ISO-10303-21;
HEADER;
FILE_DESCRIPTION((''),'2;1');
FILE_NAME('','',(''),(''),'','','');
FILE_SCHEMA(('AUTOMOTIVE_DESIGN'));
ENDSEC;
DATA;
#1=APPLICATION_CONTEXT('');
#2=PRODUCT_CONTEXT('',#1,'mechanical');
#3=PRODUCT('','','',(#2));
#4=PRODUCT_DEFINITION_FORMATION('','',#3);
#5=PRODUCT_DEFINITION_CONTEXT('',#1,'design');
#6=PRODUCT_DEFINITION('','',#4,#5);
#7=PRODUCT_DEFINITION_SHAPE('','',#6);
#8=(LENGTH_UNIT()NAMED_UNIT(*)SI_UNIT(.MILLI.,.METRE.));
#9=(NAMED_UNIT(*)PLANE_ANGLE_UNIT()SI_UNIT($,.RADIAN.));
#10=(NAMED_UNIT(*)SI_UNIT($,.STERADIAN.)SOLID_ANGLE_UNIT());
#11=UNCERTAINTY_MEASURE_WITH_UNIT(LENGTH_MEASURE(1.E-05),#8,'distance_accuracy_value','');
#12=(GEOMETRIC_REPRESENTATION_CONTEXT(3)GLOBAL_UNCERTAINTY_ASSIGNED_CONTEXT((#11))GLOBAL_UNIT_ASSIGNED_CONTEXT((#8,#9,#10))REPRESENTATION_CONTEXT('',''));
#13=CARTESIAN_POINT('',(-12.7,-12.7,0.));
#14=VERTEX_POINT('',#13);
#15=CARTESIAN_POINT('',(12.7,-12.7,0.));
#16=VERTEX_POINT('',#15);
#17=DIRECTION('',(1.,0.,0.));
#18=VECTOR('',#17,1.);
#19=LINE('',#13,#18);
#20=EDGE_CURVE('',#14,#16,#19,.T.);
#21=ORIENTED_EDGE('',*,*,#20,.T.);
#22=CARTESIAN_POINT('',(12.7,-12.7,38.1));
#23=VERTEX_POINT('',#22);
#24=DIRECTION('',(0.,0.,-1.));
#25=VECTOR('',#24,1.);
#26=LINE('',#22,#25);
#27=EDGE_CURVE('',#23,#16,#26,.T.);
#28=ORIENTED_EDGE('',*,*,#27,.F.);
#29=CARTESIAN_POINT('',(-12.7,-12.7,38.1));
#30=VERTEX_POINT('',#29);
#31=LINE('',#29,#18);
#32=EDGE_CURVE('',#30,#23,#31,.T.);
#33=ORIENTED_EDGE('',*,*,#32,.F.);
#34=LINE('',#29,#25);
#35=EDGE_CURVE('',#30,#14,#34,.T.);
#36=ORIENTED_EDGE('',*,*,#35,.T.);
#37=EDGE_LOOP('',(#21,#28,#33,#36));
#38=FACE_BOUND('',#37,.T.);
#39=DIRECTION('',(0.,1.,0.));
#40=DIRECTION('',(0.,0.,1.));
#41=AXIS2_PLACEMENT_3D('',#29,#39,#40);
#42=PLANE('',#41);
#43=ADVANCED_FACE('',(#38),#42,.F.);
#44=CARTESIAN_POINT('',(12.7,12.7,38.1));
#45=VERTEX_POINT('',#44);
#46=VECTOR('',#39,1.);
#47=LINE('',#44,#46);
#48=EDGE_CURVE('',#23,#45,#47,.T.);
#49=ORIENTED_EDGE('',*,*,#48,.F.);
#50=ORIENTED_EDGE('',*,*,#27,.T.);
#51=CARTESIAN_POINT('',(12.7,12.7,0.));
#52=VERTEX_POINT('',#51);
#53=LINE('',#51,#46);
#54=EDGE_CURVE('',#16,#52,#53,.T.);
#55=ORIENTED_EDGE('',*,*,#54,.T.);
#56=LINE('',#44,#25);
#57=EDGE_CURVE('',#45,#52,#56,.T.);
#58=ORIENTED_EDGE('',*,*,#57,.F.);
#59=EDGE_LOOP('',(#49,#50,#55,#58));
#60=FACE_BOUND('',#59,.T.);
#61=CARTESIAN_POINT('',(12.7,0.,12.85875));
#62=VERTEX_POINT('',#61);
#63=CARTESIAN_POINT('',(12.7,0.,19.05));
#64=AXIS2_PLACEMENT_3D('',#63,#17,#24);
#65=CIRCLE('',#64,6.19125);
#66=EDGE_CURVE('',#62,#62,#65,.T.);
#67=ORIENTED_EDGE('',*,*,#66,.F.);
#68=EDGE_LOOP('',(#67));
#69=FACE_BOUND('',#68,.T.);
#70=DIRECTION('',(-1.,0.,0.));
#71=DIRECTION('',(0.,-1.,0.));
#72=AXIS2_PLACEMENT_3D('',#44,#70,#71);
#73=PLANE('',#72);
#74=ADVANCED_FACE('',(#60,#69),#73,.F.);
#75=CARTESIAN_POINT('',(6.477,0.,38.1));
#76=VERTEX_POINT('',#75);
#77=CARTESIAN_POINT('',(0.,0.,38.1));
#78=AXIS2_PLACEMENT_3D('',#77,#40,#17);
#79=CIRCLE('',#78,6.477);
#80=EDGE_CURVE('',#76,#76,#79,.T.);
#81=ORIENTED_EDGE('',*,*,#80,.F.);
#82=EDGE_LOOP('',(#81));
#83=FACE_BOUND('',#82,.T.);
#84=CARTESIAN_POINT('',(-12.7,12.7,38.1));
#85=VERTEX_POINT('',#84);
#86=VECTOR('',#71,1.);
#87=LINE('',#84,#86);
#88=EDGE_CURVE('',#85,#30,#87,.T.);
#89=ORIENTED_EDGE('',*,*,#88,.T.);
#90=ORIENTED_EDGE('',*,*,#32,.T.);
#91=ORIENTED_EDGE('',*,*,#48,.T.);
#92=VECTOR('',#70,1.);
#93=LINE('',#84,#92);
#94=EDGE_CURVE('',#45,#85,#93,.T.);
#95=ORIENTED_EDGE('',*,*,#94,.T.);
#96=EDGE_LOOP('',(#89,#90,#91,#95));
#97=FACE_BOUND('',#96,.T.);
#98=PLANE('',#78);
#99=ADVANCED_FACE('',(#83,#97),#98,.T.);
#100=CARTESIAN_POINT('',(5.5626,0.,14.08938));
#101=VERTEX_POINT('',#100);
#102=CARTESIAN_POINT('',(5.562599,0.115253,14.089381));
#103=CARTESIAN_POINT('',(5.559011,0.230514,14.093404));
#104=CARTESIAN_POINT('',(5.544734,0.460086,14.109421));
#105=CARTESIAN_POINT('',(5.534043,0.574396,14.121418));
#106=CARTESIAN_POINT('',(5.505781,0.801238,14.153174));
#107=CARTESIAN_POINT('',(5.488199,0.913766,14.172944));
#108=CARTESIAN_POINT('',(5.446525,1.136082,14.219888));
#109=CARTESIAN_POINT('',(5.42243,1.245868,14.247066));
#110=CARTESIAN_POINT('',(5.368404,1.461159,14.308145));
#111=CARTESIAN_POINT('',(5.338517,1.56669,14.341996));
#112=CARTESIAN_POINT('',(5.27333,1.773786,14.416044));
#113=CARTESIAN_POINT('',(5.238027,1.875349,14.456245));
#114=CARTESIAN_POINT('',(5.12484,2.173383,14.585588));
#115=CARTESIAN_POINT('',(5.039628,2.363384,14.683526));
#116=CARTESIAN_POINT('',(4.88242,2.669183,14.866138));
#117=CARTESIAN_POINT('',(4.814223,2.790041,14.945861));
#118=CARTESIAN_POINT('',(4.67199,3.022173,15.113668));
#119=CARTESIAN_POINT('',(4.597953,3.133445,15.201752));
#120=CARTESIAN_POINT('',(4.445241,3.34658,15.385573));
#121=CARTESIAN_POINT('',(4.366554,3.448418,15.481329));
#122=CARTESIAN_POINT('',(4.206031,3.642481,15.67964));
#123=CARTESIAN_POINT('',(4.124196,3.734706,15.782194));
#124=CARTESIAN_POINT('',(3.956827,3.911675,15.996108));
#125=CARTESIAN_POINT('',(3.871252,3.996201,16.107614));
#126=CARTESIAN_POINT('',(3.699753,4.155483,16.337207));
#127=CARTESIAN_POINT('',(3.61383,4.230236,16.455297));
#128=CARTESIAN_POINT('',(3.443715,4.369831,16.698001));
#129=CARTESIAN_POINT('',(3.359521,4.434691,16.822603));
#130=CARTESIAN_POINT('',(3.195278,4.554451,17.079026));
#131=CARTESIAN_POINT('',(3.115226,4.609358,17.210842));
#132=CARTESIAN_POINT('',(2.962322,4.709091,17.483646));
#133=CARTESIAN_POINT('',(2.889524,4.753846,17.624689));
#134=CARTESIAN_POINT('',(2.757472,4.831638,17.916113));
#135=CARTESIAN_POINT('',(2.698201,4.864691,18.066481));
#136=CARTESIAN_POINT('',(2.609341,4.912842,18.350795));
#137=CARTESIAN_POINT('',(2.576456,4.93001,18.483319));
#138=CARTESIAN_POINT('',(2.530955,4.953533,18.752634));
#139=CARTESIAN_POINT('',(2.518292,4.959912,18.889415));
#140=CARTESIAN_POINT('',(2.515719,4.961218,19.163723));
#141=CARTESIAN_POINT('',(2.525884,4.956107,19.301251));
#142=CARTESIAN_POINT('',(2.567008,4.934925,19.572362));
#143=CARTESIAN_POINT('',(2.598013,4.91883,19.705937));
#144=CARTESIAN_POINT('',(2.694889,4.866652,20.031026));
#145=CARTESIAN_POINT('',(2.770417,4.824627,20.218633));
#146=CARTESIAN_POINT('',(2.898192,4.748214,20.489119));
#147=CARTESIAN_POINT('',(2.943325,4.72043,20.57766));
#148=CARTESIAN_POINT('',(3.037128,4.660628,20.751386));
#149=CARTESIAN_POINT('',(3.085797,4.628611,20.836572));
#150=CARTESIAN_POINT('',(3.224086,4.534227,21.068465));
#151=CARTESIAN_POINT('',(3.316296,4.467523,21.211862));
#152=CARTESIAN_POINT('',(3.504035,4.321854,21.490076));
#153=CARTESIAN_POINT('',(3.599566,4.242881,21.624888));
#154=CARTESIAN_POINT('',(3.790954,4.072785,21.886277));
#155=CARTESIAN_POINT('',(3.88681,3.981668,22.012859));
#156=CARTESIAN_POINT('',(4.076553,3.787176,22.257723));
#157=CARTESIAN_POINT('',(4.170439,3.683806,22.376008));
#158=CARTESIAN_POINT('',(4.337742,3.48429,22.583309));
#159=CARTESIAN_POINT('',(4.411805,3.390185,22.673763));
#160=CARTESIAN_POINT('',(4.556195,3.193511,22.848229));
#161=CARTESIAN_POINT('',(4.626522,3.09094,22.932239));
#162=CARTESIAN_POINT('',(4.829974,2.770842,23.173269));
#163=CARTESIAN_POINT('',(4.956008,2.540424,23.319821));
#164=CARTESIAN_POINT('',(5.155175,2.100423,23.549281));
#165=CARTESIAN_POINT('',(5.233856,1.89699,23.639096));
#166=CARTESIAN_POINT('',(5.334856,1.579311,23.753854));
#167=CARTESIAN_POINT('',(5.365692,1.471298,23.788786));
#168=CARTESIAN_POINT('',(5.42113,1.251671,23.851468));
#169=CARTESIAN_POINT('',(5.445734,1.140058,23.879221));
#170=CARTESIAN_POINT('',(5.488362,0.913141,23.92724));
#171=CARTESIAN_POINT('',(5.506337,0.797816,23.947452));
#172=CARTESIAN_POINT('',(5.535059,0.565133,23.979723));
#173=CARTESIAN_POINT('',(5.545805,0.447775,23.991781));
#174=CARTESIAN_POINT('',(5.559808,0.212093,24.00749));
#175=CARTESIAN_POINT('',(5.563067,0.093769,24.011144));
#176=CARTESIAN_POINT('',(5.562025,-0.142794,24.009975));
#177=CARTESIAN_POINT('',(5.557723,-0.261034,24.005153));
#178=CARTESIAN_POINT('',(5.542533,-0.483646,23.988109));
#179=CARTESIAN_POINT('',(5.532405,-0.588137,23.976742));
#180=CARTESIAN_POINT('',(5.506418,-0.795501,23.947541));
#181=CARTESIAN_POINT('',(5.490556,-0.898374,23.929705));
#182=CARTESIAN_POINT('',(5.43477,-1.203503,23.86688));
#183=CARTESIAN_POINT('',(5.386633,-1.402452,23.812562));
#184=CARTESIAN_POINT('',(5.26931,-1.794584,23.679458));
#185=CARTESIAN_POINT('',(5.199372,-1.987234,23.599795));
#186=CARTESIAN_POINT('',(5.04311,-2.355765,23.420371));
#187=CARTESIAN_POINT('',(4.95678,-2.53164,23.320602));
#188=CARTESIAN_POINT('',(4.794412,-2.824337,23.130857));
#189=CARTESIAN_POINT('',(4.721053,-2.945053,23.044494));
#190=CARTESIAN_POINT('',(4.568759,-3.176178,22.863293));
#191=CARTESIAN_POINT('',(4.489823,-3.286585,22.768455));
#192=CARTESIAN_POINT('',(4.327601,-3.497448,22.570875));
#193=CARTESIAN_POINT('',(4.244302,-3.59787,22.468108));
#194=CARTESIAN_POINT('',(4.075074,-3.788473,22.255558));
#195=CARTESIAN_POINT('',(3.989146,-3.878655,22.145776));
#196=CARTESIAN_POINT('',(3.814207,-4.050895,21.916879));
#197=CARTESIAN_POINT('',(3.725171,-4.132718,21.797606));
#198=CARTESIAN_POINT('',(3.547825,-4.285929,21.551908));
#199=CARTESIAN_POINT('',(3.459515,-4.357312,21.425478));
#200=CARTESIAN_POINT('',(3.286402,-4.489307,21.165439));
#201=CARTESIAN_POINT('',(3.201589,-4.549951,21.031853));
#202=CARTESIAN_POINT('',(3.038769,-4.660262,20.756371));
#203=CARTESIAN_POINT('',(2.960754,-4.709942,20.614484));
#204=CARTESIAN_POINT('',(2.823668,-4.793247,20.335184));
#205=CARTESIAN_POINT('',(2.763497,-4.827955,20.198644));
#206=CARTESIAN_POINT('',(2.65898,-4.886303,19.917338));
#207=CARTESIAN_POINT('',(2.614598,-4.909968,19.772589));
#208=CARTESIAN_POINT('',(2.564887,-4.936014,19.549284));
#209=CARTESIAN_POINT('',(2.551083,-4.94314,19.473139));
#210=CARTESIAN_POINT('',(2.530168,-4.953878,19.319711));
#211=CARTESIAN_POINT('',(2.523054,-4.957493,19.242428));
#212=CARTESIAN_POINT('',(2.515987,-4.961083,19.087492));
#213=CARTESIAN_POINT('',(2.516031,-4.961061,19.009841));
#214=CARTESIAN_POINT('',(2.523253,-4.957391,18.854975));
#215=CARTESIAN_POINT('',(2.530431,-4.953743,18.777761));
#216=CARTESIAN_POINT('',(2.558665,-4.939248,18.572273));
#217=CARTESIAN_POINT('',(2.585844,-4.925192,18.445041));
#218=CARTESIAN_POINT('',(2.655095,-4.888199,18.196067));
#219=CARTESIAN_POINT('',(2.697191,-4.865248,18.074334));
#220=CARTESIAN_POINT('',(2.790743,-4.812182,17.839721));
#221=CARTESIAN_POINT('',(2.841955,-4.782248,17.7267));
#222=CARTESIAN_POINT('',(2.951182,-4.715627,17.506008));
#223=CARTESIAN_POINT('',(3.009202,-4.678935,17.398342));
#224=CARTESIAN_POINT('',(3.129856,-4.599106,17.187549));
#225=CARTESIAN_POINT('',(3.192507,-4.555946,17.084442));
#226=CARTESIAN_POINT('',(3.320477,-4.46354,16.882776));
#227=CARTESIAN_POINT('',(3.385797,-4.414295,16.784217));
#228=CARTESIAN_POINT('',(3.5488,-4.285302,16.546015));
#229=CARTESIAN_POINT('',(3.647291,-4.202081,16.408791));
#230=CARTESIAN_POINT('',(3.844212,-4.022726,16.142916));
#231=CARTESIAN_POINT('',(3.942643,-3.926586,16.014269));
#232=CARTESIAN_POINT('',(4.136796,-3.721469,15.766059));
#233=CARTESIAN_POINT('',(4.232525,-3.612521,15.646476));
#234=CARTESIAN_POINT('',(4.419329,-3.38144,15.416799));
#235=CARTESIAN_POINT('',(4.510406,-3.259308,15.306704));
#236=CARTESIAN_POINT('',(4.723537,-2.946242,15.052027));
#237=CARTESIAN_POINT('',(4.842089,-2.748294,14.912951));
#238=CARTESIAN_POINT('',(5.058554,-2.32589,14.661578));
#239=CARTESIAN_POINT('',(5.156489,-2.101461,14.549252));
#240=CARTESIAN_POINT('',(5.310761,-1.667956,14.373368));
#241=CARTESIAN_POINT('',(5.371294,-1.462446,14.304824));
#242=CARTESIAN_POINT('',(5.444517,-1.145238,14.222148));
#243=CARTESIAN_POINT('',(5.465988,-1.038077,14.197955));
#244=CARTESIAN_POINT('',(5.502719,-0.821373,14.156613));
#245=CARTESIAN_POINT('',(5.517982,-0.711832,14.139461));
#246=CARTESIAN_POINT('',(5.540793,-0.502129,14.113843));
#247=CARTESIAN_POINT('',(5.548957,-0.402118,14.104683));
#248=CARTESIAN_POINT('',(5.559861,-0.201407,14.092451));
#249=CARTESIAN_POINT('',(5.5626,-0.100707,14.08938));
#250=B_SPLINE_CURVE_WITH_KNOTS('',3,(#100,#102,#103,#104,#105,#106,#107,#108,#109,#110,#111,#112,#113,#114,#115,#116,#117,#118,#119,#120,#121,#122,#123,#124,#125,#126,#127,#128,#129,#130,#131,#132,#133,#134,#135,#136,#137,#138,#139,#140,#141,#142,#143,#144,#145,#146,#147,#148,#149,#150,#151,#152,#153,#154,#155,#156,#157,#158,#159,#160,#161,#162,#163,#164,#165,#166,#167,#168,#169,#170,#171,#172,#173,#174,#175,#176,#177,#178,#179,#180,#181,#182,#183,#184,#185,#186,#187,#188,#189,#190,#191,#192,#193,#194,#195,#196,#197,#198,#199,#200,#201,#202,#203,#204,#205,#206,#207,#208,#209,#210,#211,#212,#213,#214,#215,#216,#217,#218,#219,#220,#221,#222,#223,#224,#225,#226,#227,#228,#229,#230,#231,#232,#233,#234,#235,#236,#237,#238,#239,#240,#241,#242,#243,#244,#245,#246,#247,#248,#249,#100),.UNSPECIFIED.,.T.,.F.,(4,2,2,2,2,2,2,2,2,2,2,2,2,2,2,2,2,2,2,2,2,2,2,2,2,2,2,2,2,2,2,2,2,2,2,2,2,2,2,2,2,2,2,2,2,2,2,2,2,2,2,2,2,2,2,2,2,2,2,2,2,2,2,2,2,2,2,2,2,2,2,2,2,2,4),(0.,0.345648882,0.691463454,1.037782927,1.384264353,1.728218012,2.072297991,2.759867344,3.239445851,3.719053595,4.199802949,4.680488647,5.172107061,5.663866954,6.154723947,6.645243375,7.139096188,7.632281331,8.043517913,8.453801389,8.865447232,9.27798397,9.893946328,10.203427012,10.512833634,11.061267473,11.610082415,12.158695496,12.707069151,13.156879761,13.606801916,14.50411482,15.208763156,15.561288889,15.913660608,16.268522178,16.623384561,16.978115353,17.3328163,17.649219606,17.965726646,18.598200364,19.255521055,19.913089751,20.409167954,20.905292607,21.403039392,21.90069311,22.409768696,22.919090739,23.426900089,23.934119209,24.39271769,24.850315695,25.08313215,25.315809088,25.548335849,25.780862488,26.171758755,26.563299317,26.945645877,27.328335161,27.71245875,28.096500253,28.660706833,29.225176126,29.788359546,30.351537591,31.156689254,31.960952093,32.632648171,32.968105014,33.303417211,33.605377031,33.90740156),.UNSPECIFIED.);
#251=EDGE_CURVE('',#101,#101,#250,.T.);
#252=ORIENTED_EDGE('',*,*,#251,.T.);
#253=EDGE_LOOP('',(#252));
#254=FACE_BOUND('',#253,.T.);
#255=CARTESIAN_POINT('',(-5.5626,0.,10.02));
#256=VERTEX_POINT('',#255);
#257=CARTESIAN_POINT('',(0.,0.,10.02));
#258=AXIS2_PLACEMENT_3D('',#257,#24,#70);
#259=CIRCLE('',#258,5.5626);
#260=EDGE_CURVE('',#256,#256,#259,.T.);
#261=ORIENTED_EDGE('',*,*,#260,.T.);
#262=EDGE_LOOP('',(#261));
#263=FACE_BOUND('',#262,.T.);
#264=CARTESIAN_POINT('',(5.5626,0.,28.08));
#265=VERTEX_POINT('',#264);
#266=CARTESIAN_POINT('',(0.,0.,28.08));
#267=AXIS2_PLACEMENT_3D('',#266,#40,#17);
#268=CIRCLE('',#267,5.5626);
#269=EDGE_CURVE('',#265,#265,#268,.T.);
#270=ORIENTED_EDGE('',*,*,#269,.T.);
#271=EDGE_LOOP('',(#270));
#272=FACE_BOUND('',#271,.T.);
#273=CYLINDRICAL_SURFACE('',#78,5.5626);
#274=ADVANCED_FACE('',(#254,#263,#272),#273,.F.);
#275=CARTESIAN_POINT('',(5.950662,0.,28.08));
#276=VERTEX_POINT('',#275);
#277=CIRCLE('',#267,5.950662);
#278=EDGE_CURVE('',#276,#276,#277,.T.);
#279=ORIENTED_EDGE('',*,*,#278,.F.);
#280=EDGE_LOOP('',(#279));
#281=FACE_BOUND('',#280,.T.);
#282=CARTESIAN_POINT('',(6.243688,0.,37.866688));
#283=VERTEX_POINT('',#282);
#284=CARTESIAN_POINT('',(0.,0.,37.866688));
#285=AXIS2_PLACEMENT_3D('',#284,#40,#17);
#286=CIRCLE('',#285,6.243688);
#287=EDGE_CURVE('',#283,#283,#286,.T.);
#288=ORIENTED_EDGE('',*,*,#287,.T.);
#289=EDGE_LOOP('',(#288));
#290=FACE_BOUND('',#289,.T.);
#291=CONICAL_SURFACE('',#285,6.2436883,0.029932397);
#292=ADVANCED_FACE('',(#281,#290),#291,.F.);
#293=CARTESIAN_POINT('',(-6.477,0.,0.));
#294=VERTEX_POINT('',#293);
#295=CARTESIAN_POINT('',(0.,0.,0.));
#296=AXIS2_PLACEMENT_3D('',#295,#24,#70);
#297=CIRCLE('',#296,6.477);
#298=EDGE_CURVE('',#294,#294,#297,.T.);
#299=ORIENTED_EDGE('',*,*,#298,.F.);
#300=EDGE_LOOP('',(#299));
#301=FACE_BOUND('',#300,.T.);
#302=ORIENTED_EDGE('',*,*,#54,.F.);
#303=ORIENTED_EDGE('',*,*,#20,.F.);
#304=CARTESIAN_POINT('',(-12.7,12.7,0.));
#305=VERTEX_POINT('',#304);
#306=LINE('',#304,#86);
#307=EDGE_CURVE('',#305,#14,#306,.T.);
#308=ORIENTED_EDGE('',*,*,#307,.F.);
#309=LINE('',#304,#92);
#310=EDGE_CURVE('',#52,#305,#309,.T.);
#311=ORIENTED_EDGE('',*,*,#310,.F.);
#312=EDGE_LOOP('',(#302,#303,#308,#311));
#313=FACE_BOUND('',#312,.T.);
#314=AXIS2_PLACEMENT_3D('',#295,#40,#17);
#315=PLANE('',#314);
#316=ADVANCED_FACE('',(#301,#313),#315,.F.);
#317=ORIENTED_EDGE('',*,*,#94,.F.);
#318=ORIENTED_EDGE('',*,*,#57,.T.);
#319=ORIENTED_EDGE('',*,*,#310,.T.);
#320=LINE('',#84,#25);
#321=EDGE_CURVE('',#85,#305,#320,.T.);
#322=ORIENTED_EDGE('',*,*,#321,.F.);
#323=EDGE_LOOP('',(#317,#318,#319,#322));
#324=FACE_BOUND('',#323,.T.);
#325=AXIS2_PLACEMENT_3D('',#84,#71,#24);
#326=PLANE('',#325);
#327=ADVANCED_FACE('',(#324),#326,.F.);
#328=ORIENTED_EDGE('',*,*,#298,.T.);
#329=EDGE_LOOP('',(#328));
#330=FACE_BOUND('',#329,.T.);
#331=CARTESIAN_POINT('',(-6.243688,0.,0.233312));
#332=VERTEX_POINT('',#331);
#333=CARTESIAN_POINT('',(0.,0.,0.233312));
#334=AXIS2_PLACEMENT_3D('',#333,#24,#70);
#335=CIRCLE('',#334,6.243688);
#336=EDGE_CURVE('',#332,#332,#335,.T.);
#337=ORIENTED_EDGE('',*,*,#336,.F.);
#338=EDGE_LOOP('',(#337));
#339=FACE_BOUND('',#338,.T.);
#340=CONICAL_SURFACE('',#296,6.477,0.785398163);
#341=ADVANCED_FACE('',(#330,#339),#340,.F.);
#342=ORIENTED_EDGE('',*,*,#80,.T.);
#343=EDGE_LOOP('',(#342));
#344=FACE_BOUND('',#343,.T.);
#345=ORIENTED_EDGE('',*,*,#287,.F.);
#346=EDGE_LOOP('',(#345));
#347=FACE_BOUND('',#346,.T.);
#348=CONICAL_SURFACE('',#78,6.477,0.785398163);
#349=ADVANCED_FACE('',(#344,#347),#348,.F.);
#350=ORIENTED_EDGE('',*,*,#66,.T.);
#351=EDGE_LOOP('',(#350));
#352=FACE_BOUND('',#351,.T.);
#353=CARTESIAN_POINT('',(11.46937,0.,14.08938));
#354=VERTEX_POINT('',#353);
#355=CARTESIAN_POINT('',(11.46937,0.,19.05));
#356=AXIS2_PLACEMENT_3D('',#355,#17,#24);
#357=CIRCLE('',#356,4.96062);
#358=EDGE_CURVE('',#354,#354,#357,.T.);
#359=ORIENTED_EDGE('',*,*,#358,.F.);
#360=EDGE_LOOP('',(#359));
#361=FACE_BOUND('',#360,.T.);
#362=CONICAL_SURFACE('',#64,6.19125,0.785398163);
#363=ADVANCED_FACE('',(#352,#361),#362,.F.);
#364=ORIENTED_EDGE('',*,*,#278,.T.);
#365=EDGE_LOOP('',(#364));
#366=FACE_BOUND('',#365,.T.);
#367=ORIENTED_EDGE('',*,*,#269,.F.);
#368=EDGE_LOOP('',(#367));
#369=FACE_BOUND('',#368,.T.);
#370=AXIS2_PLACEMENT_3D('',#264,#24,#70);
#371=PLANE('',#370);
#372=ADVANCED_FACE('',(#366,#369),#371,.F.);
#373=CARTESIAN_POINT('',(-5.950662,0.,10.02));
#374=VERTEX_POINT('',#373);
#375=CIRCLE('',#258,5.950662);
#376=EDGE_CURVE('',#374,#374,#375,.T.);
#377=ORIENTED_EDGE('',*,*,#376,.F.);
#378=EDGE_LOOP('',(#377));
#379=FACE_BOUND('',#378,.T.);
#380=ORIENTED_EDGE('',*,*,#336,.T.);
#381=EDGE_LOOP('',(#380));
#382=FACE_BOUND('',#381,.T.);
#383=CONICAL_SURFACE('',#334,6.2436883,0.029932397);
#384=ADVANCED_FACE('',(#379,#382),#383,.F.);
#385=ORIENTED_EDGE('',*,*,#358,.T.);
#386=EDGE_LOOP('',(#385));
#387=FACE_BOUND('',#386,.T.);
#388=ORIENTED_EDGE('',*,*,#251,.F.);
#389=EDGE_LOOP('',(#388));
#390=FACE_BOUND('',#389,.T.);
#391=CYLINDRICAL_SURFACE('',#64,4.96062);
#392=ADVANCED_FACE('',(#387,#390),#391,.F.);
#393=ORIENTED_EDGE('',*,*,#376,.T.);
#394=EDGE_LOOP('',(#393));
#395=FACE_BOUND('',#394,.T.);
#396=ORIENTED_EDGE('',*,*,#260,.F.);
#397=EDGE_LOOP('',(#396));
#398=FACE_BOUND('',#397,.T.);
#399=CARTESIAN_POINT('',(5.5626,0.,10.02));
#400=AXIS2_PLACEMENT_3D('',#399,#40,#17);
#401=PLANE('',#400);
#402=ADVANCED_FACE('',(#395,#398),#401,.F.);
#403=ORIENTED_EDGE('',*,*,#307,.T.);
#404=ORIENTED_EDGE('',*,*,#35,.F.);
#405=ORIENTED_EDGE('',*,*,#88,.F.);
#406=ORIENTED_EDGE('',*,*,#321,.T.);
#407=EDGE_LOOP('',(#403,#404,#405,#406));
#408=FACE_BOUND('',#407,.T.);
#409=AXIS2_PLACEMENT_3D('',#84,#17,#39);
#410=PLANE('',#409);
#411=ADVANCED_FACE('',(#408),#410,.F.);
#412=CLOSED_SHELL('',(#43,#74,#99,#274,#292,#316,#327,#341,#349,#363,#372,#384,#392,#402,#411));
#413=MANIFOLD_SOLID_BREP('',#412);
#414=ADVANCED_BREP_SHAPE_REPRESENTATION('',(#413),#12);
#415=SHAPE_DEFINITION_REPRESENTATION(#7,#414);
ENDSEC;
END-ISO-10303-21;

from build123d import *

# Parameters (mm, degrees)
SKETCH2_W                          = 25.4
SKETCH2_H                          = 25.4
BOSS_EXTRUDE1_DEPTH                = 38.1
F_7_16_20_TAPPED_HOLE2_D           = 9.92124
F_7_16_20_TAPPED_HOLE2_DEPTH       = 12.7
F_7_16_20_TAPPED_HOLE2_CSINK_D     = 12.3825
F_7_16_20_TAPPED_HOLE2_CSINK_ANGLE = 90
F_7_16_20_TAPPED_HOLE2_TIP         = 2.980641204


with BuildPart() as part:
    # Sketch2 → Boss-Extrude1 (new body)
    with BuildSketch(Plane.XY):
        Rectangle(SKETCH2_W, SKETCH2_H)
    extrude(amount=BOSS_EXTRUDE1_DEPTH)

    # Sketch6 → 1/4 NPT Tapped Hole1 (revolve, cut)
    with BuildSketch(Plane(origin=(0, 0, 38.1), x_dir=(0, -1, 0), z_dir=(1, 0, 0))):
        Polygon((0, 0), (0, 38.1), (5.5626, 38.1), (5.5626, 10.02), (5.950661746, 10.02), (6.2436883, 0.2333117), (6.477, 0), align=None)
    revolve(axis=Axis((0, 0, 44.45), (0, 0, -1)), mode=Mode.SUBTRACT)

    # Sketch8 → 1/4 NPT Tapped Hole2 (revolve, cut)
    with BuildSketch(Plane.YZ):
        Polygon((0, 0), (0, 38.1), (5.5626, 38.1), (5.5626, 10.02), (5.950661746, 10.02), (6.2436883, 0.2333117), (6.477, 0), align=None)
    revolve(axis=Axis((0, 0, -6.35), (0, 0, 1)), mode=Mode.SUBTRACT)

    # 7/16-20 Tapped Hole2
    with Locations(Plane(origin=(12.7, 0, 0), x_dir=(0, 0, -1), z_dir=(1, 0, 0))):
        with Locations((-19.05, 0)):
            CounterSinkHole(F_7_16_20_TAPPED_HOLE2_D / 2, F_7_16_20_TAPPED_HOLE2_CSINK_D / 2, depth=F_7_16_20_TAPPED_HOLE2_DEPTH, counter_sink_angle=F_7_16_20_TAPPED_HOLE2_CSINK_ANGLE)
            with Locations((0, 0, -(F_7_16_20_TAPPED_HOLE2_DEPTH + F_7_16_20_TAPPED_HOLE2_TIP / 2))):  # 118° drill point
                Cone(0, F_7_16_20_TAPPED_HOLE2_D / 2, F_7_16_20_TAPPED_HOLE2_TIP, mode=Mode.SUBTRACT)


solid = part.part
